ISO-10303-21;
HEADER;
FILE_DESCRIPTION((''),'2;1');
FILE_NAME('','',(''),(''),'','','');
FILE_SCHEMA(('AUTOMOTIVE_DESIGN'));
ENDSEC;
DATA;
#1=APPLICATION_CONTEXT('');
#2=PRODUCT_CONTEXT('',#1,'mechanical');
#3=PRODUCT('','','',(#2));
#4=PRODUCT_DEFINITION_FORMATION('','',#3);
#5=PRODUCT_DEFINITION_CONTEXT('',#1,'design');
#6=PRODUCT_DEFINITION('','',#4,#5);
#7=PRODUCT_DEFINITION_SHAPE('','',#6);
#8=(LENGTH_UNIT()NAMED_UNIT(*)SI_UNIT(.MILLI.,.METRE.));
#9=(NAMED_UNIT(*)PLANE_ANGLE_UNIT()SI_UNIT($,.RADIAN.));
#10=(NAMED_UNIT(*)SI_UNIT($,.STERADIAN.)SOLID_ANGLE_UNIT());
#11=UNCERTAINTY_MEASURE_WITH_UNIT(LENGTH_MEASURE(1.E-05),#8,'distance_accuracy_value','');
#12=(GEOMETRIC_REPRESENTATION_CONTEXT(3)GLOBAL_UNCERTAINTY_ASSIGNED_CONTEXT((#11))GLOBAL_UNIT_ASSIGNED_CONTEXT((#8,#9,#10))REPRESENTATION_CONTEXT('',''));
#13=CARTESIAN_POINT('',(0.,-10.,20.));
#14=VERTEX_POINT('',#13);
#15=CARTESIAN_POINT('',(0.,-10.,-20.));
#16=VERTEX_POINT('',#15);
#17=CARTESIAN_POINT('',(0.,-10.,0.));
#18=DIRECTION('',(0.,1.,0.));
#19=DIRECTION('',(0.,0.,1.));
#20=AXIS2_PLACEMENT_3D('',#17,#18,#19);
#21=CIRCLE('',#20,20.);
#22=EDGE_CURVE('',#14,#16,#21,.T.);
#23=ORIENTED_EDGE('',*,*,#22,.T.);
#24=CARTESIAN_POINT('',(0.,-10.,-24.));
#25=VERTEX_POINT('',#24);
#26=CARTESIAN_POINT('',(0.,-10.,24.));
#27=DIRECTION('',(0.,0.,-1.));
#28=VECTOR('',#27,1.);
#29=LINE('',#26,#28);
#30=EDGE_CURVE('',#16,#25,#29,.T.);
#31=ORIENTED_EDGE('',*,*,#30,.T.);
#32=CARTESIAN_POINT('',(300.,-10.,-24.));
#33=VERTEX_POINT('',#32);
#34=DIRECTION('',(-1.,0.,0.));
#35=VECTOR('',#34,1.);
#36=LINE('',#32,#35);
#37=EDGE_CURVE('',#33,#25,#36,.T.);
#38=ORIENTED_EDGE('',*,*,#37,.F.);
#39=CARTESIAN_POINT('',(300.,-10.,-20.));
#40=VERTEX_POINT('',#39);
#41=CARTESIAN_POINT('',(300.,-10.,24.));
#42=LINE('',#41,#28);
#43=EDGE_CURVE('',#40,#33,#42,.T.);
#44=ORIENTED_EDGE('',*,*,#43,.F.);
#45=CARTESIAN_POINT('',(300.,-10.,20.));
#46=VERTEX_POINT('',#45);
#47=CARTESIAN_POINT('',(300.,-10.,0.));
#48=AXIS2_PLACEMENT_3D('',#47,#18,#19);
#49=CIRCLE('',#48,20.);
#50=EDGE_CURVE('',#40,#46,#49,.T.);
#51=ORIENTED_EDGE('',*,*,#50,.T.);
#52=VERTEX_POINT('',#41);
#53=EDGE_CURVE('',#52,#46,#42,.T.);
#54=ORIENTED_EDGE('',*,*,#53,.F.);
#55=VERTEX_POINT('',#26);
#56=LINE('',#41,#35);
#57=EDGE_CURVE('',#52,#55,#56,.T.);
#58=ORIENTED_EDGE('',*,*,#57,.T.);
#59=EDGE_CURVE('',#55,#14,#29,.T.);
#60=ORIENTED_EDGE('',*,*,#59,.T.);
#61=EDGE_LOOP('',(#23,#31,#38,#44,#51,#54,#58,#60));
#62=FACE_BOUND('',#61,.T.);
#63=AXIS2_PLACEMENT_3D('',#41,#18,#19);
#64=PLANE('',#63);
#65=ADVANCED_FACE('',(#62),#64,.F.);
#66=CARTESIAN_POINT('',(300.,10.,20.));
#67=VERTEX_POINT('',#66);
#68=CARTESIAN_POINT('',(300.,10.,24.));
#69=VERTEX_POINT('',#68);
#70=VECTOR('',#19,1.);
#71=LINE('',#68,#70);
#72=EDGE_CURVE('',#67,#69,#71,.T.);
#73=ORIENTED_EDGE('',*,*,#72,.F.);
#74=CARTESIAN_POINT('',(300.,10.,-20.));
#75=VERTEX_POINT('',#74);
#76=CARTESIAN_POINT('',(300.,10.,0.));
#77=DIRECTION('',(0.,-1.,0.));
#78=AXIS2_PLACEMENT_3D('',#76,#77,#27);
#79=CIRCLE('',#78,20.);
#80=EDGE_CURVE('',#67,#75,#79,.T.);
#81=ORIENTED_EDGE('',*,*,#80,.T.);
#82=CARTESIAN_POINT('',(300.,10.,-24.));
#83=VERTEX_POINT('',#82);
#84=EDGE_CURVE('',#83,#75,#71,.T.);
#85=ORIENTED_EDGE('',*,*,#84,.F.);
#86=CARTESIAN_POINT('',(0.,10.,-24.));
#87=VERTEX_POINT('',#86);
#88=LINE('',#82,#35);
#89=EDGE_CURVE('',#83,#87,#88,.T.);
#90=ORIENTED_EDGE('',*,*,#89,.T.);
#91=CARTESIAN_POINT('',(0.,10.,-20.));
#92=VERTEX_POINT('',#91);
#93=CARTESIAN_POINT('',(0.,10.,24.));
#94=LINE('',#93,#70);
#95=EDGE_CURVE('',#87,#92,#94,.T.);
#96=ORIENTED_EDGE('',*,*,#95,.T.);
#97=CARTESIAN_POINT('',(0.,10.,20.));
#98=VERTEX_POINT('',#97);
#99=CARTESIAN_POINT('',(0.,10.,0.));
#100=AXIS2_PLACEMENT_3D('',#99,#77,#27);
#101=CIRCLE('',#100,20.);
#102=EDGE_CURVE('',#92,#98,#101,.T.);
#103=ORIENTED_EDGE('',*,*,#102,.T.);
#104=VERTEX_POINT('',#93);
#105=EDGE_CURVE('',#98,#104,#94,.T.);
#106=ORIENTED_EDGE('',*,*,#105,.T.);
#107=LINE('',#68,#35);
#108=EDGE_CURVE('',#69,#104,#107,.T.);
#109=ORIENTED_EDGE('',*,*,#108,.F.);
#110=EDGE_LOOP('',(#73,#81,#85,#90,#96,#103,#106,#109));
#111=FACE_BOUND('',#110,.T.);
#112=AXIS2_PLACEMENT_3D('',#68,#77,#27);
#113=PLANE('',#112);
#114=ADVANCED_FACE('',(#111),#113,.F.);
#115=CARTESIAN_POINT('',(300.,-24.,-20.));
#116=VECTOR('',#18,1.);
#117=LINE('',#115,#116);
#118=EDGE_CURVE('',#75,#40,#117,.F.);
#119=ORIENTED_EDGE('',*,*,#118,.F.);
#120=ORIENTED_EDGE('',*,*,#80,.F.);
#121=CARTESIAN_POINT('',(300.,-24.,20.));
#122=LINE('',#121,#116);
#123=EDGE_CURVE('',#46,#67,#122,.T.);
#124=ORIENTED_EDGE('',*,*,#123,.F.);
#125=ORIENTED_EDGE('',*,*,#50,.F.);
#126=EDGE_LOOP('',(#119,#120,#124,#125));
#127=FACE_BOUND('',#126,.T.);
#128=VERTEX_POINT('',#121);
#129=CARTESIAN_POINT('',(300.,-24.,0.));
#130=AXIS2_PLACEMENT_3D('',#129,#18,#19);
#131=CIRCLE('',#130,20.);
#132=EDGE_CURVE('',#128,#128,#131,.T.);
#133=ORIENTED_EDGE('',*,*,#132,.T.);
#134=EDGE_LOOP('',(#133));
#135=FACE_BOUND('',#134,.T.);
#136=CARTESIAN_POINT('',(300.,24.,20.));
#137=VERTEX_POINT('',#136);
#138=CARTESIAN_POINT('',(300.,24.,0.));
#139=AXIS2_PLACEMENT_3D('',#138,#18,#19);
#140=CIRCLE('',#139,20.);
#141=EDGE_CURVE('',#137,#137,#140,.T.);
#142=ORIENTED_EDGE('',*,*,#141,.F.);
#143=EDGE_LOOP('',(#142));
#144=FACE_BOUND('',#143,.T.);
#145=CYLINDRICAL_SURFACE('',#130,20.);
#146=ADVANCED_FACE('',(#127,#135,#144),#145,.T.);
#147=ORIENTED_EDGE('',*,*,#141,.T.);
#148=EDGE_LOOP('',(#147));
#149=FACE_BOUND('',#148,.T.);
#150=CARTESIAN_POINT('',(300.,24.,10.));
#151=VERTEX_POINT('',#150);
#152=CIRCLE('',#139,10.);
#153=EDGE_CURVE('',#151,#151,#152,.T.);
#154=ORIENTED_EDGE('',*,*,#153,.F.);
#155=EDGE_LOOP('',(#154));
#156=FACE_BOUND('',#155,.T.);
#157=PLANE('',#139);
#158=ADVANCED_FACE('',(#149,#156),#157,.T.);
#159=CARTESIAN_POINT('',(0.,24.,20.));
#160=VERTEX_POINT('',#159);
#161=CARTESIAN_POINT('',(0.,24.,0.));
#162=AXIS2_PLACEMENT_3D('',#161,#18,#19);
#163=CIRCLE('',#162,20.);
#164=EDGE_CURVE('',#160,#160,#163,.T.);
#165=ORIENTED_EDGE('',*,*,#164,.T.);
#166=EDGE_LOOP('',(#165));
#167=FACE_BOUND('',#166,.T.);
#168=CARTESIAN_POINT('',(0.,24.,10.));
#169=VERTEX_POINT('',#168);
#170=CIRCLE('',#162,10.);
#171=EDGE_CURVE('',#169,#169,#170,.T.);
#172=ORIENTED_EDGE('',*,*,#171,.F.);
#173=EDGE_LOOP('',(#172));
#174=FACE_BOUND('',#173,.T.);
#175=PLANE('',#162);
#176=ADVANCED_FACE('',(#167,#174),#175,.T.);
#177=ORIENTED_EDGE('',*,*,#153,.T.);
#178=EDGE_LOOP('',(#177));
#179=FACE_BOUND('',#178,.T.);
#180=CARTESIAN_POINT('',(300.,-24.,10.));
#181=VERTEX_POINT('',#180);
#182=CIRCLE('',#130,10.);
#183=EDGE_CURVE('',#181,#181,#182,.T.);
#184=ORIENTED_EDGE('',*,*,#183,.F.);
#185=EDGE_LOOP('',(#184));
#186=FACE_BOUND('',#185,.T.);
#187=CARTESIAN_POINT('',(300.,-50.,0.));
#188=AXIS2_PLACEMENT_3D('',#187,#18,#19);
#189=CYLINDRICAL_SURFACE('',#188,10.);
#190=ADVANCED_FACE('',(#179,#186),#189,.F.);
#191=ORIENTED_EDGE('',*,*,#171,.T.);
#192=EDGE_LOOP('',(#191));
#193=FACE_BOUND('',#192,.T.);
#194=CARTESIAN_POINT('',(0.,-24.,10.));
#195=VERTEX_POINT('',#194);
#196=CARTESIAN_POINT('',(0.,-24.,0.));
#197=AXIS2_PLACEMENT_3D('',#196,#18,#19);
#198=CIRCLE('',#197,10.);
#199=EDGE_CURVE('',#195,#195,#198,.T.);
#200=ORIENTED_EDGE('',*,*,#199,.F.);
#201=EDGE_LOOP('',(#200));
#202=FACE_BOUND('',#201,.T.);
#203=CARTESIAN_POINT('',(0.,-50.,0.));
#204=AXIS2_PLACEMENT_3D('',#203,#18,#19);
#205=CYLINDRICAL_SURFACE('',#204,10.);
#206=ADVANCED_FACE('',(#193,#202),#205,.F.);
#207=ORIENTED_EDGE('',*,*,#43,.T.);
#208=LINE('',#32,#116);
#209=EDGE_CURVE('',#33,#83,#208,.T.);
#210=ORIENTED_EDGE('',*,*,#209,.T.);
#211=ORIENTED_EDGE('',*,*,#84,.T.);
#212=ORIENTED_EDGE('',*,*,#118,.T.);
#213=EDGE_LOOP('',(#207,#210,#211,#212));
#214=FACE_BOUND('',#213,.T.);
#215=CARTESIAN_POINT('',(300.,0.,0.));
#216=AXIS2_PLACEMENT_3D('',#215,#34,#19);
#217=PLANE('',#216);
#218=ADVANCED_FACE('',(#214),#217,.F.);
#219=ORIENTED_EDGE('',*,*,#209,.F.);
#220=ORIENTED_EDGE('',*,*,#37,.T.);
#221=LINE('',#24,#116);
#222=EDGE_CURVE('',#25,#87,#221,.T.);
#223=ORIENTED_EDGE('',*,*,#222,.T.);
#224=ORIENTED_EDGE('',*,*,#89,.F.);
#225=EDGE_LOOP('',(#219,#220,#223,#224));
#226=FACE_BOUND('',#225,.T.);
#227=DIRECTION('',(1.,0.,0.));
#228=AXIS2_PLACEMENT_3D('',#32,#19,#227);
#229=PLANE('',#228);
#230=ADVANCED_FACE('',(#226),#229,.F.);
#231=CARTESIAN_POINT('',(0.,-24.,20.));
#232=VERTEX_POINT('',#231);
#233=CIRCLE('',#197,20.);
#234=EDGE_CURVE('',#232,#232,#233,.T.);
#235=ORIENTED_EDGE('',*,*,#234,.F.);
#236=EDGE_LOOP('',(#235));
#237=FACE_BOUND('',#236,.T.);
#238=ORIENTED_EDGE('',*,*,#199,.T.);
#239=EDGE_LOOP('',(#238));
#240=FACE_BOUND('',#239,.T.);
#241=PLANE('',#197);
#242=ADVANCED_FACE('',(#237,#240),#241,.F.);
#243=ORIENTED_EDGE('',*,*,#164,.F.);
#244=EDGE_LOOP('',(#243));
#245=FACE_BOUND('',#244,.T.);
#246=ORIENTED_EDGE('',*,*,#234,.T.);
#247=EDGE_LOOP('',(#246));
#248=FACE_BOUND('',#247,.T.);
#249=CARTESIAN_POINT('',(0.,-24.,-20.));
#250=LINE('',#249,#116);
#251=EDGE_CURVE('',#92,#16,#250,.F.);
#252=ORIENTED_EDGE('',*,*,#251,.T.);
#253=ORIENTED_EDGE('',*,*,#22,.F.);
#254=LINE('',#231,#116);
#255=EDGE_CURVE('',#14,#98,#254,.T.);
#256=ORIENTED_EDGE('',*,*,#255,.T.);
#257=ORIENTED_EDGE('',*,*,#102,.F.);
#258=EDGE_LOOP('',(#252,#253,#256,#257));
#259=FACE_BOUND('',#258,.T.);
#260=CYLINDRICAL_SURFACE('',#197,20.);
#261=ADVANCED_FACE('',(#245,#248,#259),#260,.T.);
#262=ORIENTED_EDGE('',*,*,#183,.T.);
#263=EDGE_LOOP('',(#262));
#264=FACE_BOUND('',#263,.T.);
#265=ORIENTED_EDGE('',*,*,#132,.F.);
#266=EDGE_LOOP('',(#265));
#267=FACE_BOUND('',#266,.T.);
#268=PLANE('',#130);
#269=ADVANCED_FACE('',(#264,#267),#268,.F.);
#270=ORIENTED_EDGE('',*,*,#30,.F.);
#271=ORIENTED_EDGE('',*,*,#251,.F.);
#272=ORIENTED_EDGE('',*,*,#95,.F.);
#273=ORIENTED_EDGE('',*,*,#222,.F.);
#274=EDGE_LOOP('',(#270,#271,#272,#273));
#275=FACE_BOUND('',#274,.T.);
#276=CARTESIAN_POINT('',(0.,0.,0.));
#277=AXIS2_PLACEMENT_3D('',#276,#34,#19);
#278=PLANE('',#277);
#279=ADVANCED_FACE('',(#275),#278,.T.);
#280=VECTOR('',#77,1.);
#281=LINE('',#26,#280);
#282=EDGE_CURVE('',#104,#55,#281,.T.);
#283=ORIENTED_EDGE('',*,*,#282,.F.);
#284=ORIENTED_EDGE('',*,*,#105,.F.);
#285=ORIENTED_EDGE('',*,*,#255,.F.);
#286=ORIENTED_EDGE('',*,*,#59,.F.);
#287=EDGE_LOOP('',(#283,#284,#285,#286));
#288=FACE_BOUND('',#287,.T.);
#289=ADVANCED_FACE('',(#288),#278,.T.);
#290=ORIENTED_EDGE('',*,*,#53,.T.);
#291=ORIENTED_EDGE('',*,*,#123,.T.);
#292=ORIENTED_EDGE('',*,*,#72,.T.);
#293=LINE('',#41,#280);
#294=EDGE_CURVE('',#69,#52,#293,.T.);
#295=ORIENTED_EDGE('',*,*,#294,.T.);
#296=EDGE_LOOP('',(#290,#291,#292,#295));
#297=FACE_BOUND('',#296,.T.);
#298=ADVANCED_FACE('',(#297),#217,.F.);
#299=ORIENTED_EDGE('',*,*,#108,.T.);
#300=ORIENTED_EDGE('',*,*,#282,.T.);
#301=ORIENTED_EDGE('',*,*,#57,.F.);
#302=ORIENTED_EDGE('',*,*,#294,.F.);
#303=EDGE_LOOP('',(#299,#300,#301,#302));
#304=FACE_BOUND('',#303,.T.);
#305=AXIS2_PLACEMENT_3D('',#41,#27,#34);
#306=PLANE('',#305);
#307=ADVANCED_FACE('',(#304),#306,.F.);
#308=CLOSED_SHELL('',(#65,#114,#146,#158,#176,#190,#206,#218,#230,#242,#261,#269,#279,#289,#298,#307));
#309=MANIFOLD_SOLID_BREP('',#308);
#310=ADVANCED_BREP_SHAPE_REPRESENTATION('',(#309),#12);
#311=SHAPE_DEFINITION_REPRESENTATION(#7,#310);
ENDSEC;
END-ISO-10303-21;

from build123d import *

# Parameters (mm, degrees)
SKETCH1_W                = 48
SKETCH1_H                = 20
BOSS_EXTRUDE1_DEPTH      = 300
BOSS_EXTRUDE2_DEPTH      = 24
BOSS_EXTRUDE2_DEPTH_BACK = 24
SKETCH2_R                = 20
BOSS_EXTRUDE3_DEPTH      = 24
BOSS_EXTRUDE3_DEPTH_BACK = 24
SKETCH3_R                = 20
CUT_EXTRUDE1_DEPTH       = 50
CUT_EXTRUDE1_DEPTH_BACK  = 50
SKETCH4_R                = 10
CUT_EXTRUDE2_DEPTH       = 50
CUT_EXTRUDE2_DEPTH_BACK  = 50
SKETCH5_R                = 10


with BuildPart() as part:
    # Sketch1 → Boss-Extrude1 (new body)
    with BuildSketch(Plane(origin=(0, 0, 0), x_dir=(0, 0, -1), z_dir=(1, 0, 0))):
        Rectangle(SKETCH1_W, SKETCH1_H)
    extrude(amount=BOSS_EXTRUDE1_DEPTH)

    # Sketch2 → Boss-Extrude2 (add, two sides: drawn at the far end of the back side and taken through both)
    with BuildSketch(Plane(origin=(0, 0, 0), x_dir=(1, 0, 0), z_dir=(0, 1, 0)).offset(-BOSS_EXTRUDE2_DEPTH_BACK)):
        Circle(SKETCH2_R)
    extrude(amount=BOSS_EXTRUDE2_DEPTH + BOSS_EXTRUDE2_DEPTH_BACK)

    # Sketch3 → Boss-Extrude3 (add, two sides: drawn at the far end of the back side and taken through both)
    with BuildSketch(Plane(origin=(0, 0, 0), x_dir=(1, 0, 0), z_dir=(0, 1, 0)).offset(-BOSS_EXTRUDE3_DEPTH_BACK)):
        with Locations((300, 0)):
            Circle(SKETCH3_R)
    extrude(amount=BOSS_EXTRUDE3_DEPTH + BOSS_EXTRUDE3_DEPTH_BACK)

    # Sketch4 → Cut-Extrude1 (cut, two sides: drawn at the far end of the back side and taken through both)
    with BuildSketch(Plane(origin=(0, 0, 0), x_dir=(1, 0, 0), z_dir=(0, 1, 0)).offset(-CUT_EXTRUDE1_DEPTH_BACK)):
        Circle(SKETCH4_R)
    extrude(amount=CUT_EXTRUDE1_DEPTH + CUT_EXTRUDE1_DEPTH_BACK, mode=Mode.SUBTRACT)

    # Sketch5 → Cut-Extrude2 (cut, two sides: drawn at the far end of the back side and taken through both)
    with BuildSketch(Plane(origin=(0, 0, 0), x_dir=(1, 0, 0), z_dir=(0, 1, 0)).offset(-CUT_EXTRUDE2_DEPTH_BACK)):
        with Locations((300, 0)):
            Circle(SKETCH5_R)
    extrude(amount=CUT_EXTRUDE2_DEPTH + CUT_EXTRUDE2_DEPTH_BACK, mode=Mode.SUBTRACT)


solid = part.part
